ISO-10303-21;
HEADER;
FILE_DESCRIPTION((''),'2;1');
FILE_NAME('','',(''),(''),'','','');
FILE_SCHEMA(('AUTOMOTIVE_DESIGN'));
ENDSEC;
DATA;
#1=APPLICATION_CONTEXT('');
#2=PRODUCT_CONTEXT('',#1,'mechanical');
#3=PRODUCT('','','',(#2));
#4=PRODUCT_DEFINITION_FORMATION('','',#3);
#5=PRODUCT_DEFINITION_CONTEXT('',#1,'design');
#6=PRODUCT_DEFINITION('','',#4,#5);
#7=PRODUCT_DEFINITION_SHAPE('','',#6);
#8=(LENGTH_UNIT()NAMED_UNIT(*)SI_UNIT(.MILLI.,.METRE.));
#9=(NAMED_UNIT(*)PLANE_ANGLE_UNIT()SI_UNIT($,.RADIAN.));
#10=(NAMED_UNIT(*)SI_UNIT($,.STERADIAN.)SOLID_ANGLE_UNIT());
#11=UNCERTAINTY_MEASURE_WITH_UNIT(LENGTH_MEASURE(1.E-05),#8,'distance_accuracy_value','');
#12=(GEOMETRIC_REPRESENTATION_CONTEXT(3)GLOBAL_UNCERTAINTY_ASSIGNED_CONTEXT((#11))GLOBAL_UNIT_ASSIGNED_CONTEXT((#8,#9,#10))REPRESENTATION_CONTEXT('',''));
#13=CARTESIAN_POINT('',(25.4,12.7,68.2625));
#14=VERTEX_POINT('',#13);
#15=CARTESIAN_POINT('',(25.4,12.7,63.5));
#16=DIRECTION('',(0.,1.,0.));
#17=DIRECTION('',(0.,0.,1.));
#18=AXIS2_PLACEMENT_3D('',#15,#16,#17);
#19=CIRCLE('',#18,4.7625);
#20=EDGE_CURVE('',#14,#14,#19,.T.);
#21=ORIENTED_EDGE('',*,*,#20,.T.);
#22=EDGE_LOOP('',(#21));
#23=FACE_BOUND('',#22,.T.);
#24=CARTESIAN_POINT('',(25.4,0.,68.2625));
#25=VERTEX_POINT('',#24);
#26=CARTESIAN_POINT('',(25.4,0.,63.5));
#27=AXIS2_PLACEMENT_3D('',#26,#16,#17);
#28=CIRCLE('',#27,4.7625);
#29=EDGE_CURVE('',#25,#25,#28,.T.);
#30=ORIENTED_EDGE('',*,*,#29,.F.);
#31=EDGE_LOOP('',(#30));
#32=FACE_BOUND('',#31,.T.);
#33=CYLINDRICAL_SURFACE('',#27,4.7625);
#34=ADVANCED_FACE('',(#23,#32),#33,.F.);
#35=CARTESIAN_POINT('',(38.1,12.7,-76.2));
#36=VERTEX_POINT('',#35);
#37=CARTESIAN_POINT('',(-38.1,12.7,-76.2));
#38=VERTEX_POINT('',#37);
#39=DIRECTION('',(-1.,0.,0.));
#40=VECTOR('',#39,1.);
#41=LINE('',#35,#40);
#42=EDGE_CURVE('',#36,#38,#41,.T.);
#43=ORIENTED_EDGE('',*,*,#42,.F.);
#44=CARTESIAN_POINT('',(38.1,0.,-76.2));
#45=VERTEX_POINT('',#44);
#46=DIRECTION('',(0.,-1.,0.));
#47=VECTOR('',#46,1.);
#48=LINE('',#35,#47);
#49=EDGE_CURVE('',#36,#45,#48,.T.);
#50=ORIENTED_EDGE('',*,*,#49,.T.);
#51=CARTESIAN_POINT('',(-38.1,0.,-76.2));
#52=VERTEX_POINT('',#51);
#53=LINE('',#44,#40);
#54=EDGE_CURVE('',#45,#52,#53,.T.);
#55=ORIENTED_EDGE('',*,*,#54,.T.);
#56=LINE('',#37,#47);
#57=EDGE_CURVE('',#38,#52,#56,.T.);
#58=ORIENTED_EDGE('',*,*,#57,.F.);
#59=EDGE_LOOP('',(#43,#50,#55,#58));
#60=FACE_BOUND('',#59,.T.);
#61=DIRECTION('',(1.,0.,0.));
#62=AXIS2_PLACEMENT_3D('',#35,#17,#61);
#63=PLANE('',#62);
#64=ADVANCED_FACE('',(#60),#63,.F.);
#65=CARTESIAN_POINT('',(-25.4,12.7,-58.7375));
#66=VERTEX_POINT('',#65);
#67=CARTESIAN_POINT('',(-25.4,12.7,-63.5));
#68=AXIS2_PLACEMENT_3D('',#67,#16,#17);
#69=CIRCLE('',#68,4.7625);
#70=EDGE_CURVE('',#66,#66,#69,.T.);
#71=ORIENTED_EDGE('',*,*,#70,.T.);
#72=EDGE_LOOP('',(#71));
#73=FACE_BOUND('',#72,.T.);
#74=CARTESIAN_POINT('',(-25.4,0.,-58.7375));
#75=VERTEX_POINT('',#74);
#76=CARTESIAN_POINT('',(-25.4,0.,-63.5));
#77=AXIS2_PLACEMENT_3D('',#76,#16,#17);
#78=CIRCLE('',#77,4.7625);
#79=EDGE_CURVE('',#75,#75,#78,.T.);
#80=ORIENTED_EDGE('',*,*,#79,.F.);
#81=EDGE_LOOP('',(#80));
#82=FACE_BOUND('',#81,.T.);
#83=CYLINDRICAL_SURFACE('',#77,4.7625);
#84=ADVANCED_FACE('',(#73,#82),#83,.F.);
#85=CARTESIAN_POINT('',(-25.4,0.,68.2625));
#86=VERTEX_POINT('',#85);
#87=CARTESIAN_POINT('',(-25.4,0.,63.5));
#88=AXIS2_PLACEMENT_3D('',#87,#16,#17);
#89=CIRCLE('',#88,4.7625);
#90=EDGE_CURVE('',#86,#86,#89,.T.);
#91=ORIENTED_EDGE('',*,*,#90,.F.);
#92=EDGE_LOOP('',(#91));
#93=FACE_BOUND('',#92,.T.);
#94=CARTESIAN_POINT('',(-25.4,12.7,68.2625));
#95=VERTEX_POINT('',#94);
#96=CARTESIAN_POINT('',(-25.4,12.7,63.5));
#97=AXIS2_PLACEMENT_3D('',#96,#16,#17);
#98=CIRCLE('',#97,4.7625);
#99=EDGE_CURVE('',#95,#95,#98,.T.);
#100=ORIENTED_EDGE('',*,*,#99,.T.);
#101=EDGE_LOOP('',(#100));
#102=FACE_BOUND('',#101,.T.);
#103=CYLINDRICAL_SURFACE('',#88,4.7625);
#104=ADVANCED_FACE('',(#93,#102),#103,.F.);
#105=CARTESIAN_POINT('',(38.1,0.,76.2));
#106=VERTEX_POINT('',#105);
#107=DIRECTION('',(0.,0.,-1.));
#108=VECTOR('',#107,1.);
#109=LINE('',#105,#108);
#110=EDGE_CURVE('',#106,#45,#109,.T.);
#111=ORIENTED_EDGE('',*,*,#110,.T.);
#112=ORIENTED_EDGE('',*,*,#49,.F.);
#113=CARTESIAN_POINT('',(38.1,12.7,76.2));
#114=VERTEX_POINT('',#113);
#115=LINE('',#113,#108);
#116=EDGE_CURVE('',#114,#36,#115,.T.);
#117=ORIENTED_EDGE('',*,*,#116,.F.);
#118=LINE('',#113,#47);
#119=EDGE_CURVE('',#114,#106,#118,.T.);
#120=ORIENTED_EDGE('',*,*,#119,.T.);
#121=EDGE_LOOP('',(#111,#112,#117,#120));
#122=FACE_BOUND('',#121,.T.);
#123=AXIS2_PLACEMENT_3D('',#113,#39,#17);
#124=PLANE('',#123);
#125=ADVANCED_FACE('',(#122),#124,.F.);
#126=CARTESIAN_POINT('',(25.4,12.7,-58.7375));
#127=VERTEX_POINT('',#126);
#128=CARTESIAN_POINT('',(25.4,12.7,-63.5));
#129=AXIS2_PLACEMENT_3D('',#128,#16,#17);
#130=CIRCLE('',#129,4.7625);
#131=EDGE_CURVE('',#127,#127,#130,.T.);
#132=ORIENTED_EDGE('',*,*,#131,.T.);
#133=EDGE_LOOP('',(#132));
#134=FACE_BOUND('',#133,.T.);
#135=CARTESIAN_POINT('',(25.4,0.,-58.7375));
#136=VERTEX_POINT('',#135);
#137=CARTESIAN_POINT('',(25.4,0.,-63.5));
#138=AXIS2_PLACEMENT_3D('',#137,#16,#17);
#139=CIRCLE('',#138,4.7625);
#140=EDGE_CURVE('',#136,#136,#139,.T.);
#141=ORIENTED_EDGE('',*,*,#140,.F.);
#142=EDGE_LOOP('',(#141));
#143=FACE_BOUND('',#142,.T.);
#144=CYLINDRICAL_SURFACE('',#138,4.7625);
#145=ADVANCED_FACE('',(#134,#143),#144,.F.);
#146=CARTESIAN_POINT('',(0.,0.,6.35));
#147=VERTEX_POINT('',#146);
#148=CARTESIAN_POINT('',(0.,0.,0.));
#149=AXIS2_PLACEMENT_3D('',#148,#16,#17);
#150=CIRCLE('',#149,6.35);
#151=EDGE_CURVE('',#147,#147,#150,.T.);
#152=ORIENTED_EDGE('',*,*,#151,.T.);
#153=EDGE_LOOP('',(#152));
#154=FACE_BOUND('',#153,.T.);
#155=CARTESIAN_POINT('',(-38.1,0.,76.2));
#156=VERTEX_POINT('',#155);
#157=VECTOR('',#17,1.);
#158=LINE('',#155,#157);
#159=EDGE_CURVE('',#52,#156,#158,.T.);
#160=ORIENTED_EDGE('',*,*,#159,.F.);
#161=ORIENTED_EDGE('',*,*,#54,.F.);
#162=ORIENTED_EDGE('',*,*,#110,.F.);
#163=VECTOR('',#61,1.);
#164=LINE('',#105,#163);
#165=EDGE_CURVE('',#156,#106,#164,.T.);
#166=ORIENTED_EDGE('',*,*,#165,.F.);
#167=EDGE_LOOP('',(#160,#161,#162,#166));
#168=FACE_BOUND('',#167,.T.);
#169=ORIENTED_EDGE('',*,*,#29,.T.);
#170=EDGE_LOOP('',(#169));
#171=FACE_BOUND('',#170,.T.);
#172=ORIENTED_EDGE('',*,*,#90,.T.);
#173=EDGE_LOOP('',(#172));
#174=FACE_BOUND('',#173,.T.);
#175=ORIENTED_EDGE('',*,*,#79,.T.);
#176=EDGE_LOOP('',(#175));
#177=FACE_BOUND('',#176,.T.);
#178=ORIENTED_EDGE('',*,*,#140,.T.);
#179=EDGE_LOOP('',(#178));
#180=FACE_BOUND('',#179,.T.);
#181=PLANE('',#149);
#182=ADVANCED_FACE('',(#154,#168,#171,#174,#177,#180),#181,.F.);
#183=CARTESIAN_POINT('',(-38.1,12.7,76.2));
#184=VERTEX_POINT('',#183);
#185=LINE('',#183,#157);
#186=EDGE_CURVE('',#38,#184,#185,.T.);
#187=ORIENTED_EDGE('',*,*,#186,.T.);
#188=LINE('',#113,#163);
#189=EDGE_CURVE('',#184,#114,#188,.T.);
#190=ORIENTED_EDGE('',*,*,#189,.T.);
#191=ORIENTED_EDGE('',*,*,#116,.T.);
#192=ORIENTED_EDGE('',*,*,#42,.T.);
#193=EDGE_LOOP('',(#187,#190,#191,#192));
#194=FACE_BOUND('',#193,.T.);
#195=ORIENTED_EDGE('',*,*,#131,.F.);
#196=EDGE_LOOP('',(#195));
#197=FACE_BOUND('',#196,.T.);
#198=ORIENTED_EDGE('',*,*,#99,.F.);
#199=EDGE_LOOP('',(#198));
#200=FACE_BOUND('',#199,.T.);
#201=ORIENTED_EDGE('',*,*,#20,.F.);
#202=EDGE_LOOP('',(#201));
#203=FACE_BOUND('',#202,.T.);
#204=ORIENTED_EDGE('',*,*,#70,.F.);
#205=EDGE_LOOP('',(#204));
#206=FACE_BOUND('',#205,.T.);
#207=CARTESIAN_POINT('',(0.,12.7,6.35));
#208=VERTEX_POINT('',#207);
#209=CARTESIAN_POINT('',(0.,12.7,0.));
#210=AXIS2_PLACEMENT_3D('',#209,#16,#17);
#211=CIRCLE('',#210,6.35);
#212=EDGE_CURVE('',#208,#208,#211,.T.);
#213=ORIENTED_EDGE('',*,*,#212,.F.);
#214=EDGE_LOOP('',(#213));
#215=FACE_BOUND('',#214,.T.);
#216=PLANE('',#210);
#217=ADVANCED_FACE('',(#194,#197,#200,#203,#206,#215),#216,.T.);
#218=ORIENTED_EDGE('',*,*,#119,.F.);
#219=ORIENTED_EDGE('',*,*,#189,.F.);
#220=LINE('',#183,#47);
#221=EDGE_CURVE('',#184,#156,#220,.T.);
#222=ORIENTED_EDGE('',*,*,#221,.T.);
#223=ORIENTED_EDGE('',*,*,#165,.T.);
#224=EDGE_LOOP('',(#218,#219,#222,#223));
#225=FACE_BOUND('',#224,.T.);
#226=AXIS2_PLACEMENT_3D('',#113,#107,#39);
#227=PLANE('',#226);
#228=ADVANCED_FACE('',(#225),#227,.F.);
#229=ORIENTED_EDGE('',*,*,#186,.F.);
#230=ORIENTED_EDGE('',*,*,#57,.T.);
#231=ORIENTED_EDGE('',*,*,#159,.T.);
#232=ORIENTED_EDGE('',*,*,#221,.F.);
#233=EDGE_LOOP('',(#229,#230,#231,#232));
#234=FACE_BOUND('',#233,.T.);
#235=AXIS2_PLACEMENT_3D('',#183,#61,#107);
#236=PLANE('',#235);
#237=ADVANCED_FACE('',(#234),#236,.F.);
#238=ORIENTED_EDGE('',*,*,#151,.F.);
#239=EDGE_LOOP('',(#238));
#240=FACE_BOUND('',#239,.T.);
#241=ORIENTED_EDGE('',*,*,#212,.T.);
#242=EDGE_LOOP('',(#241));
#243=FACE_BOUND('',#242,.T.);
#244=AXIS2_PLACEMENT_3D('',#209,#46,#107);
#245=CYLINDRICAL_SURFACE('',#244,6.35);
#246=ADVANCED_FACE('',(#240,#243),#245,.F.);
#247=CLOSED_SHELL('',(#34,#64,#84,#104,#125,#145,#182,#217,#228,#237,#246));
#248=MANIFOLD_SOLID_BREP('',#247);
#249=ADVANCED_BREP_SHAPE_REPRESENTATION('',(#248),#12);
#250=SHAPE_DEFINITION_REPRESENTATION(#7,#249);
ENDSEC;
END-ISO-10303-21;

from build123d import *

# Parameters (mm, degrees)
SKETCH1_W           = 76.2
SKETCH1_H           = 152.4
SKETCH1_R           = 6.35
BOSS_EXTRUDE1_DEPTH = 12.7
SKETCH2_R           = 4.7625
CUT_EXTRUDE1_DEPTH  = 87.135590786


with BuildPart() as part:
    # Sketch1 → Boss-Extrude1 (new body)
    with BuildSketch(Plane(origin=(0, 0, 0), x_dir=(1, 0, 0), z_dir=(0, 1, 0))):
        Rectangle(SKETCH1_W, SKETCH1_H)
        with Locations(Location((0, 0, 0), (0, 0, 270))):
            Circle(SKETCH1_R, mode=Mode.SUBTRACT)
    extrude(amount=BOSS_EXTRUDE1_DEPTH)

    # Sketch2 → Cut-Extrude1 (cut, through all)
    with BuildSketch(Plane(origin=(0, 12.7, 0), x_dir=(1, 0, 0), z_dir=(0, 1, 0))):
        with Locations(Location((-25.4, 63.5, 0), (0, 0, 270))):
            Circle(SKETCH2_R)
        with Locations(Location((-25.4, -63.5, 0), (0, 0, 270))):
            Circle(SKETCH2_R)
        with Locations(Location((25.4, -63.5, 0), (0, 0, 270))):
            Circle(SKETCH2_R)
        with Locations(Location((25.4, 63.5, 0), (0, 0, 270))):
            Circle(SKETCH2_R)
    extrude(amount=-CUT_EXTRUDE1_DEPTH, mode=Mode.SUBTRACT)


solid = part.part
